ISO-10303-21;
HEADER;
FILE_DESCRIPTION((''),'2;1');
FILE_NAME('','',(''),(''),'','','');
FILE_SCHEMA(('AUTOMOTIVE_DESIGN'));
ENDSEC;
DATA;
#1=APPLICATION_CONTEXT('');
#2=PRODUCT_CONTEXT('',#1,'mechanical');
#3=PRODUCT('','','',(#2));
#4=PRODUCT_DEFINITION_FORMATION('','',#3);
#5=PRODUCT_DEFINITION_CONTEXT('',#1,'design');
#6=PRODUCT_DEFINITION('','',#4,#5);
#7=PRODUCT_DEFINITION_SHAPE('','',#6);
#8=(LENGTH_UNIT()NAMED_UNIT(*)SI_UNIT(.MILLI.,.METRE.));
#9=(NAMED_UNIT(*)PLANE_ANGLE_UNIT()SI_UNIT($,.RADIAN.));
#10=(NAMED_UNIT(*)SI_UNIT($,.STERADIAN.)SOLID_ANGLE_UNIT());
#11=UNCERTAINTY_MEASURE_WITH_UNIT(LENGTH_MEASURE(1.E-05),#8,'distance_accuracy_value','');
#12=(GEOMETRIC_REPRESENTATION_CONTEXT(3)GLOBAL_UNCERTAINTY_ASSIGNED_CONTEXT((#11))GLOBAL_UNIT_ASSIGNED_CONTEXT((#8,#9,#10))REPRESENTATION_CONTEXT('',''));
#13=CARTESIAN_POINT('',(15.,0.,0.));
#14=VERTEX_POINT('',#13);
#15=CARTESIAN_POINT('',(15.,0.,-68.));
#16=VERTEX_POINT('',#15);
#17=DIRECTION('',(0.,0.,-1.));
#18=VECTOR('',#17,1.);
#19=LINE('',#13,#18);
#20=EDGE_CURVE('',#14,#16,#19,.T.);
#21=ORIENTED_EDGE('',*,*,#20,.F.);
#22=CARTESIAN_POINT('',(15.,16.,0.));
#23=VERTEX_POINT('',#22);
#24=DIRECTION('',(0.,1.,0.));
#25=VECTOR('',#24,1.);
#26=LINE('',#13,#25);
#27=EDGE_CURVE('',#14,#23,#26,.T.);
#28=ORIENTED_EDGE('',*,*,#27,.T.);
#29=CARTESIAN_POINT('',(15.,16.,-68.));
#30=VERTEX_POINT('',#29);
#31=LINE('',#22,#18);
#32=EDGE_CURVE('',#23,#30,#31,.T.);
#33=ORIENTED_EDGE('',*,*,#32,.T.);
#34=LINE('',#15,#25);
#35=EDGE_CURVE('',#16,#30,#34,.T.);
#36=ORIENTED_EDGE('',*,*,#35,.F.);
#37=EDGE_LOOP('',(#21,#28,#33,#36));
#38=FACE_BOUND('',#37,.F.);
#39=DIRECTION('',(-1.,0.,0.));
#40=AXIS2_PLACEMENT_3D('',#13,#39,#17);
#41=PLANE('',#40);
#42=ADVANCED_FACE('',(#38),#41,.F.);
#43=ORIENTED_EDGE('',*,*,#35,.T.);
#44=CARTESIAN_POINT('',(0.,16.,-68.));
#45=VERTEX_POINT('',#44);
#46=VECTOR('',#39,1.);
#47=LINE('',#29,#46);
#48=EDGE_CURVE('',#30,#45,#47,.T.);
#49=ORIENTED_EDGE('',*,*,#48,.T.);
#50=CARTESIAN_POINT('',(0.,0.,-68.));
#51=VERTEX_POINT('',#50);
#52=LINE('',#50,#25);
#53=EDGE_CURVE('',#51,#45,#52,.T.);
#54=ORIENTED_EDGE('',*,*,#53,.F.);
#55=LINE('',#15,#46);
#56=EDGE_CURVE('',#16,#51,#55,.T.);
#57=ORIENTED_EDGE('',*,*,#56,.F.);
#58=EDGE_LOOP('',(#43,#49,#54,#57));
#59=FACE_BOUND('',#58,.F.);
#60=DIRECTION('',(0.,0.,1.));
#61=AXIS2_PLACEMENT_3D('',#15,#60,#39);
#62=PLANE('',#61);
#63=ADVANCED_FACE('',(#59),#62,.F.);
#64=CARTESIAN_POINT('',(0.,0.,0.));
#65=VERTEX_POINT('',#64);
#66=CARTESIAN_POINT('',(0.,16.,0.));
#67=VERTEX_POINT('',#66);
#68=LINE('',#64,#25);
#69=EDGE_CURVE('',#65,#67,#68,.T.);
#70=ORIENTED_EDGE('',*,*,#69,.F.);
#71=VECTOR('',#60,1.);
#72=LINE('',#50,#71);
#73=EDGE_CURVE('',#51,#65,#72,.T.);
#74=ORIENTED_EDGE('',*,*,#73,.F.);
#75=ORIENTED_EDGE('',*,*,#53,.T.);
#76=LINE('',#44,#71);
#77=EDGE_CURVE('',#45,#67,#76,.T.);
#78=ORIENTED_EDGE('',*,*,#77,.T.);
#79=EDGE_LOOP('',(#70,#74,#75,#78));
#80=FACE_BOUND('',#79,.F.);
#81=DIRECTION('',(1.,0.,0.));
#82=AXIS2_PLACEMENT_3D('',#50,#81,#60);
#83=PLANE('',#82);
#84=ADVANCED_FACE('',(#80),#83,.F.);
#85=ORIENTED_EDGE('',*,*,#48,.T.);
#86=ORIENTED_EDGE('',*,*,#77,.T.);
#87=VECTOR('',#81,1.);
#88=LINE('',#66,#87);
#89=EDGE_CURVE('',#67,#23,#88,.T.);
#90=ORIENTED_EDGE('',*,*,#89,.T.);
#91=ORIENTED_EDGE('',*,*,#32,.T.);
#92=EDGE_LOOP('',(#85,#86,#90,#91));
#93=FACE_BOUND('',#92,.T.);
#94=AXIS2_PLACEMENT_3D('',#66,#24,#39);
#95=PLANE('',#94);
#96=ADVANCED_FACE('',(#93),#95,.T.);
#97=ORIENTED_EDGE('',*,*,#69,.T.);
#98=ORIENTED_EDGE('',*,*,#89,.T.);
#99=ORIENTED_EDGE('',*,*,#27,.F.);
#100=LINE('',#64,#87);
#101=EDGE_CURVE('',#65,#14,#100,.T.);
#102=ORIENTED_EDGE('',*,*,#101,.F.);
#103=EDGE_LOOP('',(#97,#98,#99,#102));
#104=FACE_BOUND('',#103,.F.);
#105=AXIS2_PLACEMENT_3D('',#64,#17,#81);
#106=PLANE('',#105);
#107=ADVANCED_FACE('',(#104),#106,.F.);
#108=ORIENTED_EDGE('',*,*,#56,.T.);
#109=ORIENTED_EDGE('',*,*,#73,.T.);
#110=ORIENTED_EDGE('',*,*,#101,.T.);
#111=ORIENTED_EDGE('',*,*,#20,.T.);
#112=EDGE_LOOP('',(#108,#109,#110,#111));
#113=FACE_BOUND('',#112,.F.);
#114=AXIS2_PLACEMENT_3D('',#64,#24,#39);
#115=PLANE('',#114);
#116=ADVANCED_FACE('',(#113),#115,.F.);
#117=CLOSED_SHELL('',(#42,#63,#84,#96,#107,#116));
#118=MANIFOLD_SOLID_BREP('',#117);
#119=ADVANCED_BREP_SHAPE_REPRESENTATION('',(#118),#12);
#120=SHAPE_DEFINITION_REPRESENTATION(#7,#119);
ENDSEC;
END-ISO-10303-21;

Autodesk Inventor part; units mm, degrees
ref_plane "YZ Plane" through (0, 0, 0) normal (1, 0, 0) x (0, 1, 0)
ref_plane "XZ Plane" through (0, 0, 0) normal (0, 1, 0) x (-1, 0, 0)
ref_plane "XY Plane" through (0, 0, 0) normal (0, 0, 1) x (1, 0, 0)
sketch "Sketch1" plane through (0, 0, 0) normal (0, 1, 0) x (-1, 0, 0)
  line L0 (0, 0) -> (-15, 0)
  line L1 (-15, 0) -> (-15, -68)
  line L2 (-15, -68) -> (0, -68)
  line L3 (0, -68) -> (0, 0)
  dimension "d0" = 15
  dimension "d1" = 68
extrude "Extrusion1" add sketch "Sketch1" along normal blind 16
properties part number "smolLipo" material "Nylon 6/6"
